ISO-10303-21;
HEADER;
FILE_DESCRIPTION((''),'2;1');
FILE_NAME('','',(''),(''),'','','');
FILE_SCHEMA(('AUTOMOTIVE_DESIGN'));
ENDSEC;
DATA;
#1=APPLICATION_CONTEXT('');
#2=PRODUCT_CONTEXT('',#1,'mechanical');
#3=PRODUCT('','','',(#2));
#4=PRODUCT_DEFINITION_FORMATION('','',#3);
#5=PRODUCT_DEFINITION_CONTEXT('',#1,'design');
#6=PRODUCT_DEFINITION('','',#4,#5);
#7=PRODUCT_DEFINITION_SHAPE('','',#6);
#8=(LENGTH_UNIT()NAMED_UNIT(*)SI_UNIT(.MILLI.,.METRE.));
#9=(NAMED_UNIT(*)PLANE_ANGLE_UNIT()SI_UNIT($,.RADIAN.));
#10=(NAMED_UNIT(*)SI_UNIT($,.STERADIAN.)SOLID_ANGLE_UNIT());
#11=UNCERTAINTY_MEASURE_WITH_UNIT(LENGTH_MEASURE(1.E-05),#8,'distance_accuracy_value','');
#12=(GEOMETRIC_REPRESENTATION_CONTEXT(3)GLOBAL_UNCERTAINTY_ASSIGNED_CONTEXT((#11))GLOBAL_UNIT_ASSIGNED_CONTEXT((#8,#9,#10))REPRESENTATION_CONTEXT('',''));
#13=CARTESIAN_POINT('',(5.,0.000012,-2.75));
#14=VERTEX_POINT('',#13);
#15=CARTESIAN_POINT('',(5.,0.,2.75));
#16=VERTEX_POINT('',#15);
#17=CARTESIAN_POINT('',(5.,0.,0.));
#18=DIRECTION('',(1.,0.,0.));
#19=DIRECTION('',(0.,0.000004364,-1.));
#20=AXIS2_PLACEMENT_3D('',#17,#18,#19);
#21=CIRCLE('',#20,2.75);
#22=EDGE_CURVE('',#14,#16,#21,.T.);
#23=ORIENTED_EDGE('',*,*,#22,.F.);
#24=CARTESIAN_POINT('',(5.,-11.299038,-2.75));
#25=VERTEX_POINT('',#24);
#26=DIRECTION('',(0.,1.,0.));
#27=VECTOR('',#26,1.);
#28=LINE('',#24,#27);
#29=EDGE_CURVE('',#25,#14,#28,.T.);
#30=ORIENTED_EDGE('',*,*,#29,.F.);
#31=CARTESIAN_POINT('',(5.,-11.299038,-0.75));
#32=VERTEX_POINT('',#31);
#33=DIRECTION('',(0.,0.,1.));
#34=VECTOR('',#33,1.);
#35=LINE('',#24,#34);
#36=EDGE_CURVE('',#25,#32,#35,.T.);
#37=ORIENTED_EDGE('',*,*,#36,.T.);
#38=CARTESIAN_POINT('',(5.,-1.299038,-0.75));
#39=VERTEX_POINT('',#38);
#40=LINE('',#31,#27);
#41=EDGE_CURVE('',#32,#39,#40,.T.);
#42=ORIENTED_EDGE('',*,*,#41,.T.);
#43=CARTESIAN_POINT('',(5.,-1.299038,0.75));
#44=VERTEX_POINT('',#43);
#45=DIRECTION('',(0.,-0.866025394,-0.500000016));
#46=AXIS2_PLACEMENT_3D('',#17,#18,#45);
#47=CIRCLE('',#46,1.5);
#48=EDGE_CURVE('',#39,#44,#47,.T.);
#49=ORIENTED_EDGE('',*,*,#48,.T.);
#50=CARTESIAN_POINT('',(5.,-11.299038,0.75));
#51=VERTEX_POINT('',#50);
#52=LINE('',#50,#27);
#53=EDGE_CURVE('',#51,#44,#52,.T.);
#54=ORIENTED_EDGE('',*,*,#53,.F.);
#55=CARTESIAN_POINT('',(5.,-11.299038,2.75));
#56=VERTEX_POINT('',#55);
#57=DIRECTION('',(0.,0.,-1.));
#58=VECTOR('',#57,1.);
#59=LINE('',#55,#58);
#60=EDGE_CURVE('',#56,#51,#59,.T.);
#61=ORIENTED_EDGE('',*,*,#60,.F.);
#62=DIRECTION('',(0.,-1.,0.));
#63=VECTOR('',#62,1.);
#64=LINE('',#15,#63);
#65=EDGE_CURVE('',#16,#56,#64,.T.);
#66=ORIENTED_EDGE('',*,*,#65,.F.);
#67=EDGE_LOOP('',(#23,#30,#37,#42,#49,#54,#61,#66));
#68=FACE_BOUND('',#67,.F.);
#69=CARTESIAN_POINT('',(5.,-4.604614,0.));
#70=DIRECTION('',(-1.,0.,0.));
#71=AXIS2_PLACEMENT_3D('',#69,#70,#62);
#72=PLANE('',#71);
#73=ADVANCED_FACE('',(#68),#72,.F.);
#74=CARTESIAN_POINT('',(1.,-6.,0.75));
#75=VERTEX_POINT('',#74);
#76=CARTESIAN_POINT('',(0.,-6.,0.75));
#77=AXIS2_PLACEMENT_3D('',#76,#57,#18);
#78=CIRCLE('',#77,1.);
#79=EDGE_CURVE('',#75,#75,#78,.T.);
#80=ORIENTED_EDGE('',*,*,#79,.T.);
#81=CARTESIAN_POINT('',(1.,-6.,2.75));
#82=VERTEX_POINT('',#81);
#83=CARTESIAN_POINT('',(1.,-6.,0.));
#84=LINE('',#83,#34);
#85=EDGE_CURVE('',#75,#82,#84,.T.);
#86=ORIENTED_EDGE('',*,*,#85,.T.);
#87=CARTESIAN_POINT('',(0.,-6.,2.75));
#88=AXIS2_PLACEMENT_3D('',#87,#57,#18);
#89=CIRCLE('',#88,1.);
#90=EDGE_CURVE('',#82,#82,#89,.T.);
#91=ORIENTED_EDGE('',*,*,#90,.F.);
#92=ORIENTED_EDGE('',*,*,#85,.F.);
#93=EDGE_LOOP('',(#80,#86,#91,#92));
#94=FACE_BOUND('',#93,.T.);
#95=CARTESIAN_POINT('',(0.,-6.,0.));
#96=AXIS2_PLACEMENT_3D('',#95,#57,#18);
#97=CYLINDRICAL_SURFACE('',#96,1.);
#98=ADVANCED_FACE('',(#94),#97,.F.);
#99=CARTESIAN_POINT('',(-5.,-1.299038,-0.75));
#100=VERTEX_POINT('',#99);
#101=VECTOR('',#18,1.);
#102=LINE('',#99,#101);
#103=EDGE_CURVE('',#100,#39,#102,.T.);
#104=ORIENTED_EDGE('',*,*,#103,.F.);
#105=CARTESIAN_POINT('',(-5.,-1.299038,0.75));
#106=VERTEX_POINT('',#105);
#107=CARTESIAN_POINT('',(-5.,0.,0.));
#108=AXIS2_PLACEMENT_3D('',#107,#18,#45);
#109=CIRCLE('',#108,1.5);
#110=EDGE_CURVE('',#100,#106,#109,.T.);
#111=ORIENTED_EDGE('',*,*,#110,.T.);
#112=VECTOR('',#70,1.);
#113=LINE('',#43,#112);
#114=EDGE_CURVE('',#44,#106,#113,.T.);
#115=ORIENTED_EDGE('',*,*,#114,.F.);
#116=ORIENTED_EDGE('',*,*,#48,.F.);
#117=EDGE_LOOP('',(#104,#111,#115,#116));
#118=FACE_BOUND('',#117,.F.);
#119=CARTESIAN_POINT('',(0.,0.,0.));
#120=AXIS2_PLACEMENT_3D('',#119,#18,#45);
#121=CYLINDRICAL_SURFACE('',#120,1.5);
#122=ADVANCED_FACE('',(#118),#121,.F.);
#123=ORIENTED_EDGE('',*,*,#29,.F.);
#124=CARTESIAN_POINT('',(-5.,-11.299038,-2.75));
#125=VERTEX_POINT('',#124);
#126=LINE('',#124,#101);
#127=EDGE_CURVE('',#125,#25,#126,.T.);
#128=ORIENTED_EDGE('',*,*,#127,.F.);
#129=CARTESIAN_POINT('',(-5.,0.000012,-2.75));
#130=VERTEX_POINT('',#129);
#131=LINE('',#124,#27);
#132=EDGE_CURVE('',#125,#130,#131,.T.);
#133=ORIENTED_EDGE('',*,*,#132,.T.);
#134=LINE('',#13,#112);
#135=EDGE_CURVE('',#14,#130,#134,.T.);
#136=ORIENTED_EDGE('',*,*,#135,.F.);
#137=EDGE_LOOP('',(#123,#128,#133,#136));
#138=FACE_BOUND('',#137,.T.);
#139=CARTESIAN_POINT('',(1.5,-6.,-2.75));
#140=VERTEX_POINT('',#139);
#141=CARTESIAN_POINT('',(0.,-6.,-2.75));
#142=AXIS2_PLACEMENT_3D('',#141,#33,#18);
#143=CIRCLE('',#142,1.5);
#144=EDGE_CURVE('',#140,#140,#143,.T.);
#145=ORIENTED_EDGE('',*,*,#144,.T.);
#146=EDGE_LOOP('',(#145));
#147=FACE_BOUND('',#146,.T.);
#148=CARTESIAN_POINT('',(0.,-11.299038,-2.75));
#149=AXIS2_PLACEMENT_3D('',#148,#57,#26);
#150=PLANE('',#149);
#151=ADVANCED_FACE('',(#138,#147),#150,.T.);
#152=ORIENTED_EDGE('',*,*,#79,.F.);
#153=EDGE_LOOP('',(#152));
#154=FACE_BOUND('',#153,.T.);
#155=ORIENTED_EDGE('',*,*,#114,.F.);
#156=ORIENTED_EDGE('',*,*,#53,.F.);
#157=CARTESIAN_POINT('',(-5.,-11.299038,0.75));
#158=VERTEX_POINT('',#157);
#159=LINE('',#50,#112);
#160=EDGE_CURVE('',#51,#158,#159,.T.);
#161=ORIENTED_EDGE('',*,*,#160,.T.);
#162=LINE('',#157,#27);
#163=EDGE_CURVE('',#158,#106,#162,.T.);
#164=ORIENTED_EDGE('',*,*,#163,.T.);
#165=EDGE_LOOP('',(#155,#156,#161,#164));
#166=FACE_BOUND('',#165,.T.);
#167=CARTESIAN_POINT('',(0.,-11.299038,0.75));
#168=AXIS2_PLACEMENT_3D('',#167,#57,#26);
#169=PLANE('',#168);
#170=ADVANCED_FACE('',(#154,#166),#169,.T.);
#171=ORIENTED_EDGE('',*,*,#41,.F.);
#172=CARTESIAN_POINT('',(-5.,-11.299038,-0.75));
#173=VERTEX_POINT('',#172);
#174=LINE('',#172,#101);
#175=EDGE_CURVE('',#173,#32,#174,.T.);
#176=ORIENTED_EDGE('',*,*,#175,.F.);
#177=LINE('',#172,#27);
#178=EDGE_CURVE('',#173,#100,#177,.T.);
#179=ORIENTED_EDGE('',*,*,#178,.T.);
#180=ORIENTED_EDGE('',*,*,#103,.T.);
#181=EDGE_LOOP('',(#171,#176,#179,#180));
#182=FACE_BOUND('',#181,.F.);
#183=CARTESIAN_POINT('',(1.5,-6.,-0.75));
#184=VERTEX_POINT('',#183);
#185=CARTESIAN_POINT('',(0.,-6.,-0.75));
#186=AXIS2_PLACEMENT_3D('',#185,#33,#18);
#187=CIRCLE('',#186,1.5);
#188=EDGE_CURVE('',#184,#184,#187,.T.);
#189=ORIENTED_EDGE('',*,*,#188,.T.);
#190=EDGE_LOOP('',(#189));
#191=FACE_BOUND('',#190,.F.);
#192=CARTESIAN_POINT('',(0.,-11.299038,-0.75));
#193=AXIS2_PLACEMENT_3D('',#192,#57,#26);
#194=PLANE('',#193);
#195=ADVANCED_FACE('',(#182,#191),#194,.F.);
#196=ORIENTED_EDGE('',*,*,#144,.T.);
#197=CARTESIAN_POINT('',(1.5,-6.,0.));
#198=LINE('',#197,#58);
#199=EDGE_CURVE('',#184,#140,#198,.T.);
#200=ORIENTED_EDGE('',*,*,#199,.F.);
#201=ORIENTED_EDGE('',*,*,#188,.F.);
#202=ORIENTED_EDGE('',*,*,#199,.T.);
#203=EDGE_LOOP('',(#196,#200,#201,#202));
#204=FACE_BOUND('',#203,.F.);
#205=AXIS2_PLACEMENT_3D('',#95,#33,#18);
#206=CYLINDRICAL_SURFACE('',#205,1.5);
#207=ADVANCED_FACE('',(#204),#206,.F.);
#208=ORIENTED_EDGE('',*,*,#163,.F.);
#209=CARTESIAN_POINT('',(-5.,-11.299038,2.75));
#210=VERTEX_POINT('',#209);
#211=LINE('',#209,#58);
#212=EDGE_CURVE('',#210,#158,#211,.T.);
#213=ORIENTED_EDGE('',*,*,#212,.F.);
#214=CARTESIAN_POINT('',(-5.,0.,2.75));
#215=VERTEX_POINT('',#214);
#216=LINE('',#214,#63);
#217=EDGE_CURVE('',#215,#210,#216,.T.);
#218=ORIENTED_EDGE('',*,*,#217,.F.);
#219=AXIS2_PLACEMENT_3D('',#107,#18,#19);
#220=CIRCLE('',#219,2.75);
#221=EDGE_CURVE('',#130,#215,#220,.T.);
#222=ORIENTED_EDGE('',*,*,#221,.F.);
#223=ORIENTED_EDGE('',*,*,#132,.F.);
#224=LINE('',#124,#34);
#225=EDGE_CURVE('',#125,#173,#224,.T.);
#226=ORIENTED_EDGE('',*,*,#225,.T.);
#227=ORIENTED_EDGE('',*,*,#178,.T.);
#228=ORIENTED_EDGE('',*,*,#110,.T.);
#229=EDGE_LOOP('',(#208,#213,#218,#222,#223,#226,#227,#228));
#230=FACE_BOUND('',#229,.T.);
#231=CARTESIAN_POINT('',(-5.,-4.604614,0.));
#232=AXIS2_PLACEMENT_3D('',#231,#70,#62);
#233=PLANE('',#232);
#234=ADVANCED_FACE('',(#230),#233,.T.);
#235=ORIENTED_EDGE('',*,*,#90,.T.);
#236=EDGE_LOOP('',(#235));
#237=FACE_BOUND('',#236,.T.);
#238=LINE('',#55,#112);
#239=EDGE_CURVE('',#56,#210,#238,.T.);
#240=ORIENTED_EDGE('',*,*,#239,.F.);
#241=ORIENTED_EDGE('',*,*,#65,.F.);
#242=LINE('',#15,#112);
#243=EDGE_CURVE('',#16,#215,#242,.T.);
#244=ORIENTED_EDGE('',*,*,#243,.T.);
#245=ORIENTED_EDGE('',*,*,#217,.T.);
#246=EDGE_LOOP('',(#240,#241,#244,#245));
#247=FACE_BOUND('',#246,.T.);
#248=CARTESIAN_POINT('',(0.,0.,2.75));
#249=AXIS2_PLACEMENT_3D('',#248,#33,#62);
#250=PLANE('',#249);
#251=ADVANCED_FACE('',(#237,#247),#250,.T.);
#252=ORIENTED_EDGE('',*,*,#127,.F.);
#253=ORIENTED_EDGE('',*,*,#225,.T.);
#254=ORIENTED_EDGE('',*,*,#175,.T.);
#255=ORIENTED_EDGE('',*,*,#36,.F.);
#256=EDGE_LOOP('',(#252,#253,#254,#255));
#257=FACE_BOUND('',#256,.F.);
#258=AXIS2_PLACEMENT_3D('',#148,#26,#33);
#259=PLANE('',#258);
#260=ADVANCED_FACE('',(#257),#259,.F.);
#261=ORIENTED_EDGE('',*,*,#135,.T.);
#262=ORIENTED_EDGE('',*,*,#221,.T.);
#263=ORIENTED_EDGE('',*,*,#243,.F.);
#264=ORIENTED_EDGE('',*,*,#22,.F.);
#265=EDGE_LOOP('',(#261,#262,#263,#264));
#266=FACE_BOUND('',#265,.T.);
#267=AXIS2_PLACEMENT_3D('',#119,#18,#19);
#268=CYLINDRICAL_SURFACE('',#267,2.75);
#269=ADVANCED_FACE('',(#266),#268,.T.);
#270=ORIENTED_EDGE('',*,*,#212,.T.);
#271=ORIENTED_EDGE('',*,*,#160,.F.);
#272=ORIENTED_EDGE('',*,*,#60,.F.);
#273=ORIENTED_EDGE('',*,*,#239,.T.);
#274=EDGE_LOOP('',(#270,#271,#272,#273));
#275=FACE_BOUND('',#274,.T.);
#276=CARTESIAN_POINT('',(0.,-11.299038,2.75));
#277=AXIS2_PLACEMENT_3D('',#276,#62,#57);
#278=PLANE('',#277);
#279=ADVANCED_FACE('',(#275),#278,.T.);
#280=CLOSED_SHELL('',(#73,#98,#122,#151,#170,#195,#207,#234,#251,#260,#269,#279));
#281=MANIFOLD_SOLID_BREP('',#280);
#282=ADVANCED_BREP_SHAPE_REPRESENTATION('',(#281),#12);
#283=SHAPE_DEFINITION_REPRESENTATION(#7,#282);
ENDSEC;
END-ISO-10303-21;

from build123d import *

# Parameters (mm, degrees)
PAD_DEPTH       = 5
SKETCH001_R     = 1.5
POCKET_DEPTH    = 2.751
SKETCH002_R     = 1
POCKET001_DEPTH = 5


with BuildPart() as part:
    # Sketch → Pad (new body, symmetric)
    with BuildSketch(Plane.YZ):
        with BuildLine():
            ThreePointArc((-1.299038, -0.75), (1.5, 0), (-1.299038, 0.75))
            Line((-11.299038, 0.75), (-1.299038, 0.75))
            Line((-11.299038, 2.75), (-11.299038, 0.75))
            Line((0, 2.75), (-11.299038, 2.75))
            ThreePointArc((1.2e-05, -2.75), (2.75, 6e-06), (0, 2.75))
            Line((-11.299038, -2.75), (1.2e-05, -2.75))
            Line((-11.299038, -2.75), (-11.299038, -0.75))
            Line((-11.299038, -0.75), (-1.299038, -0.75))
        make_face()
    extrude(amount=PAD_DEPTH, both=True)

    # Sketch001 → Pocket (cut, through all)
    with BuildSketch(Plane.XY):
        with Locations((0, -6)):
            Circle(SKETCH001_R)
    extrude(amount=-POCKET_DEPTH, mode=Mode.SUBTRACT)

    # Sketch002 → Pocket001 (cut)
    with BuildSketch(Plane.XY):
        with Locations((0, -6)):
            Circle(SKETCH002_R)
    extrude(amount=POCKET001_DEPTH, mode=Mode.SUBTRACT)


solid = part.part
